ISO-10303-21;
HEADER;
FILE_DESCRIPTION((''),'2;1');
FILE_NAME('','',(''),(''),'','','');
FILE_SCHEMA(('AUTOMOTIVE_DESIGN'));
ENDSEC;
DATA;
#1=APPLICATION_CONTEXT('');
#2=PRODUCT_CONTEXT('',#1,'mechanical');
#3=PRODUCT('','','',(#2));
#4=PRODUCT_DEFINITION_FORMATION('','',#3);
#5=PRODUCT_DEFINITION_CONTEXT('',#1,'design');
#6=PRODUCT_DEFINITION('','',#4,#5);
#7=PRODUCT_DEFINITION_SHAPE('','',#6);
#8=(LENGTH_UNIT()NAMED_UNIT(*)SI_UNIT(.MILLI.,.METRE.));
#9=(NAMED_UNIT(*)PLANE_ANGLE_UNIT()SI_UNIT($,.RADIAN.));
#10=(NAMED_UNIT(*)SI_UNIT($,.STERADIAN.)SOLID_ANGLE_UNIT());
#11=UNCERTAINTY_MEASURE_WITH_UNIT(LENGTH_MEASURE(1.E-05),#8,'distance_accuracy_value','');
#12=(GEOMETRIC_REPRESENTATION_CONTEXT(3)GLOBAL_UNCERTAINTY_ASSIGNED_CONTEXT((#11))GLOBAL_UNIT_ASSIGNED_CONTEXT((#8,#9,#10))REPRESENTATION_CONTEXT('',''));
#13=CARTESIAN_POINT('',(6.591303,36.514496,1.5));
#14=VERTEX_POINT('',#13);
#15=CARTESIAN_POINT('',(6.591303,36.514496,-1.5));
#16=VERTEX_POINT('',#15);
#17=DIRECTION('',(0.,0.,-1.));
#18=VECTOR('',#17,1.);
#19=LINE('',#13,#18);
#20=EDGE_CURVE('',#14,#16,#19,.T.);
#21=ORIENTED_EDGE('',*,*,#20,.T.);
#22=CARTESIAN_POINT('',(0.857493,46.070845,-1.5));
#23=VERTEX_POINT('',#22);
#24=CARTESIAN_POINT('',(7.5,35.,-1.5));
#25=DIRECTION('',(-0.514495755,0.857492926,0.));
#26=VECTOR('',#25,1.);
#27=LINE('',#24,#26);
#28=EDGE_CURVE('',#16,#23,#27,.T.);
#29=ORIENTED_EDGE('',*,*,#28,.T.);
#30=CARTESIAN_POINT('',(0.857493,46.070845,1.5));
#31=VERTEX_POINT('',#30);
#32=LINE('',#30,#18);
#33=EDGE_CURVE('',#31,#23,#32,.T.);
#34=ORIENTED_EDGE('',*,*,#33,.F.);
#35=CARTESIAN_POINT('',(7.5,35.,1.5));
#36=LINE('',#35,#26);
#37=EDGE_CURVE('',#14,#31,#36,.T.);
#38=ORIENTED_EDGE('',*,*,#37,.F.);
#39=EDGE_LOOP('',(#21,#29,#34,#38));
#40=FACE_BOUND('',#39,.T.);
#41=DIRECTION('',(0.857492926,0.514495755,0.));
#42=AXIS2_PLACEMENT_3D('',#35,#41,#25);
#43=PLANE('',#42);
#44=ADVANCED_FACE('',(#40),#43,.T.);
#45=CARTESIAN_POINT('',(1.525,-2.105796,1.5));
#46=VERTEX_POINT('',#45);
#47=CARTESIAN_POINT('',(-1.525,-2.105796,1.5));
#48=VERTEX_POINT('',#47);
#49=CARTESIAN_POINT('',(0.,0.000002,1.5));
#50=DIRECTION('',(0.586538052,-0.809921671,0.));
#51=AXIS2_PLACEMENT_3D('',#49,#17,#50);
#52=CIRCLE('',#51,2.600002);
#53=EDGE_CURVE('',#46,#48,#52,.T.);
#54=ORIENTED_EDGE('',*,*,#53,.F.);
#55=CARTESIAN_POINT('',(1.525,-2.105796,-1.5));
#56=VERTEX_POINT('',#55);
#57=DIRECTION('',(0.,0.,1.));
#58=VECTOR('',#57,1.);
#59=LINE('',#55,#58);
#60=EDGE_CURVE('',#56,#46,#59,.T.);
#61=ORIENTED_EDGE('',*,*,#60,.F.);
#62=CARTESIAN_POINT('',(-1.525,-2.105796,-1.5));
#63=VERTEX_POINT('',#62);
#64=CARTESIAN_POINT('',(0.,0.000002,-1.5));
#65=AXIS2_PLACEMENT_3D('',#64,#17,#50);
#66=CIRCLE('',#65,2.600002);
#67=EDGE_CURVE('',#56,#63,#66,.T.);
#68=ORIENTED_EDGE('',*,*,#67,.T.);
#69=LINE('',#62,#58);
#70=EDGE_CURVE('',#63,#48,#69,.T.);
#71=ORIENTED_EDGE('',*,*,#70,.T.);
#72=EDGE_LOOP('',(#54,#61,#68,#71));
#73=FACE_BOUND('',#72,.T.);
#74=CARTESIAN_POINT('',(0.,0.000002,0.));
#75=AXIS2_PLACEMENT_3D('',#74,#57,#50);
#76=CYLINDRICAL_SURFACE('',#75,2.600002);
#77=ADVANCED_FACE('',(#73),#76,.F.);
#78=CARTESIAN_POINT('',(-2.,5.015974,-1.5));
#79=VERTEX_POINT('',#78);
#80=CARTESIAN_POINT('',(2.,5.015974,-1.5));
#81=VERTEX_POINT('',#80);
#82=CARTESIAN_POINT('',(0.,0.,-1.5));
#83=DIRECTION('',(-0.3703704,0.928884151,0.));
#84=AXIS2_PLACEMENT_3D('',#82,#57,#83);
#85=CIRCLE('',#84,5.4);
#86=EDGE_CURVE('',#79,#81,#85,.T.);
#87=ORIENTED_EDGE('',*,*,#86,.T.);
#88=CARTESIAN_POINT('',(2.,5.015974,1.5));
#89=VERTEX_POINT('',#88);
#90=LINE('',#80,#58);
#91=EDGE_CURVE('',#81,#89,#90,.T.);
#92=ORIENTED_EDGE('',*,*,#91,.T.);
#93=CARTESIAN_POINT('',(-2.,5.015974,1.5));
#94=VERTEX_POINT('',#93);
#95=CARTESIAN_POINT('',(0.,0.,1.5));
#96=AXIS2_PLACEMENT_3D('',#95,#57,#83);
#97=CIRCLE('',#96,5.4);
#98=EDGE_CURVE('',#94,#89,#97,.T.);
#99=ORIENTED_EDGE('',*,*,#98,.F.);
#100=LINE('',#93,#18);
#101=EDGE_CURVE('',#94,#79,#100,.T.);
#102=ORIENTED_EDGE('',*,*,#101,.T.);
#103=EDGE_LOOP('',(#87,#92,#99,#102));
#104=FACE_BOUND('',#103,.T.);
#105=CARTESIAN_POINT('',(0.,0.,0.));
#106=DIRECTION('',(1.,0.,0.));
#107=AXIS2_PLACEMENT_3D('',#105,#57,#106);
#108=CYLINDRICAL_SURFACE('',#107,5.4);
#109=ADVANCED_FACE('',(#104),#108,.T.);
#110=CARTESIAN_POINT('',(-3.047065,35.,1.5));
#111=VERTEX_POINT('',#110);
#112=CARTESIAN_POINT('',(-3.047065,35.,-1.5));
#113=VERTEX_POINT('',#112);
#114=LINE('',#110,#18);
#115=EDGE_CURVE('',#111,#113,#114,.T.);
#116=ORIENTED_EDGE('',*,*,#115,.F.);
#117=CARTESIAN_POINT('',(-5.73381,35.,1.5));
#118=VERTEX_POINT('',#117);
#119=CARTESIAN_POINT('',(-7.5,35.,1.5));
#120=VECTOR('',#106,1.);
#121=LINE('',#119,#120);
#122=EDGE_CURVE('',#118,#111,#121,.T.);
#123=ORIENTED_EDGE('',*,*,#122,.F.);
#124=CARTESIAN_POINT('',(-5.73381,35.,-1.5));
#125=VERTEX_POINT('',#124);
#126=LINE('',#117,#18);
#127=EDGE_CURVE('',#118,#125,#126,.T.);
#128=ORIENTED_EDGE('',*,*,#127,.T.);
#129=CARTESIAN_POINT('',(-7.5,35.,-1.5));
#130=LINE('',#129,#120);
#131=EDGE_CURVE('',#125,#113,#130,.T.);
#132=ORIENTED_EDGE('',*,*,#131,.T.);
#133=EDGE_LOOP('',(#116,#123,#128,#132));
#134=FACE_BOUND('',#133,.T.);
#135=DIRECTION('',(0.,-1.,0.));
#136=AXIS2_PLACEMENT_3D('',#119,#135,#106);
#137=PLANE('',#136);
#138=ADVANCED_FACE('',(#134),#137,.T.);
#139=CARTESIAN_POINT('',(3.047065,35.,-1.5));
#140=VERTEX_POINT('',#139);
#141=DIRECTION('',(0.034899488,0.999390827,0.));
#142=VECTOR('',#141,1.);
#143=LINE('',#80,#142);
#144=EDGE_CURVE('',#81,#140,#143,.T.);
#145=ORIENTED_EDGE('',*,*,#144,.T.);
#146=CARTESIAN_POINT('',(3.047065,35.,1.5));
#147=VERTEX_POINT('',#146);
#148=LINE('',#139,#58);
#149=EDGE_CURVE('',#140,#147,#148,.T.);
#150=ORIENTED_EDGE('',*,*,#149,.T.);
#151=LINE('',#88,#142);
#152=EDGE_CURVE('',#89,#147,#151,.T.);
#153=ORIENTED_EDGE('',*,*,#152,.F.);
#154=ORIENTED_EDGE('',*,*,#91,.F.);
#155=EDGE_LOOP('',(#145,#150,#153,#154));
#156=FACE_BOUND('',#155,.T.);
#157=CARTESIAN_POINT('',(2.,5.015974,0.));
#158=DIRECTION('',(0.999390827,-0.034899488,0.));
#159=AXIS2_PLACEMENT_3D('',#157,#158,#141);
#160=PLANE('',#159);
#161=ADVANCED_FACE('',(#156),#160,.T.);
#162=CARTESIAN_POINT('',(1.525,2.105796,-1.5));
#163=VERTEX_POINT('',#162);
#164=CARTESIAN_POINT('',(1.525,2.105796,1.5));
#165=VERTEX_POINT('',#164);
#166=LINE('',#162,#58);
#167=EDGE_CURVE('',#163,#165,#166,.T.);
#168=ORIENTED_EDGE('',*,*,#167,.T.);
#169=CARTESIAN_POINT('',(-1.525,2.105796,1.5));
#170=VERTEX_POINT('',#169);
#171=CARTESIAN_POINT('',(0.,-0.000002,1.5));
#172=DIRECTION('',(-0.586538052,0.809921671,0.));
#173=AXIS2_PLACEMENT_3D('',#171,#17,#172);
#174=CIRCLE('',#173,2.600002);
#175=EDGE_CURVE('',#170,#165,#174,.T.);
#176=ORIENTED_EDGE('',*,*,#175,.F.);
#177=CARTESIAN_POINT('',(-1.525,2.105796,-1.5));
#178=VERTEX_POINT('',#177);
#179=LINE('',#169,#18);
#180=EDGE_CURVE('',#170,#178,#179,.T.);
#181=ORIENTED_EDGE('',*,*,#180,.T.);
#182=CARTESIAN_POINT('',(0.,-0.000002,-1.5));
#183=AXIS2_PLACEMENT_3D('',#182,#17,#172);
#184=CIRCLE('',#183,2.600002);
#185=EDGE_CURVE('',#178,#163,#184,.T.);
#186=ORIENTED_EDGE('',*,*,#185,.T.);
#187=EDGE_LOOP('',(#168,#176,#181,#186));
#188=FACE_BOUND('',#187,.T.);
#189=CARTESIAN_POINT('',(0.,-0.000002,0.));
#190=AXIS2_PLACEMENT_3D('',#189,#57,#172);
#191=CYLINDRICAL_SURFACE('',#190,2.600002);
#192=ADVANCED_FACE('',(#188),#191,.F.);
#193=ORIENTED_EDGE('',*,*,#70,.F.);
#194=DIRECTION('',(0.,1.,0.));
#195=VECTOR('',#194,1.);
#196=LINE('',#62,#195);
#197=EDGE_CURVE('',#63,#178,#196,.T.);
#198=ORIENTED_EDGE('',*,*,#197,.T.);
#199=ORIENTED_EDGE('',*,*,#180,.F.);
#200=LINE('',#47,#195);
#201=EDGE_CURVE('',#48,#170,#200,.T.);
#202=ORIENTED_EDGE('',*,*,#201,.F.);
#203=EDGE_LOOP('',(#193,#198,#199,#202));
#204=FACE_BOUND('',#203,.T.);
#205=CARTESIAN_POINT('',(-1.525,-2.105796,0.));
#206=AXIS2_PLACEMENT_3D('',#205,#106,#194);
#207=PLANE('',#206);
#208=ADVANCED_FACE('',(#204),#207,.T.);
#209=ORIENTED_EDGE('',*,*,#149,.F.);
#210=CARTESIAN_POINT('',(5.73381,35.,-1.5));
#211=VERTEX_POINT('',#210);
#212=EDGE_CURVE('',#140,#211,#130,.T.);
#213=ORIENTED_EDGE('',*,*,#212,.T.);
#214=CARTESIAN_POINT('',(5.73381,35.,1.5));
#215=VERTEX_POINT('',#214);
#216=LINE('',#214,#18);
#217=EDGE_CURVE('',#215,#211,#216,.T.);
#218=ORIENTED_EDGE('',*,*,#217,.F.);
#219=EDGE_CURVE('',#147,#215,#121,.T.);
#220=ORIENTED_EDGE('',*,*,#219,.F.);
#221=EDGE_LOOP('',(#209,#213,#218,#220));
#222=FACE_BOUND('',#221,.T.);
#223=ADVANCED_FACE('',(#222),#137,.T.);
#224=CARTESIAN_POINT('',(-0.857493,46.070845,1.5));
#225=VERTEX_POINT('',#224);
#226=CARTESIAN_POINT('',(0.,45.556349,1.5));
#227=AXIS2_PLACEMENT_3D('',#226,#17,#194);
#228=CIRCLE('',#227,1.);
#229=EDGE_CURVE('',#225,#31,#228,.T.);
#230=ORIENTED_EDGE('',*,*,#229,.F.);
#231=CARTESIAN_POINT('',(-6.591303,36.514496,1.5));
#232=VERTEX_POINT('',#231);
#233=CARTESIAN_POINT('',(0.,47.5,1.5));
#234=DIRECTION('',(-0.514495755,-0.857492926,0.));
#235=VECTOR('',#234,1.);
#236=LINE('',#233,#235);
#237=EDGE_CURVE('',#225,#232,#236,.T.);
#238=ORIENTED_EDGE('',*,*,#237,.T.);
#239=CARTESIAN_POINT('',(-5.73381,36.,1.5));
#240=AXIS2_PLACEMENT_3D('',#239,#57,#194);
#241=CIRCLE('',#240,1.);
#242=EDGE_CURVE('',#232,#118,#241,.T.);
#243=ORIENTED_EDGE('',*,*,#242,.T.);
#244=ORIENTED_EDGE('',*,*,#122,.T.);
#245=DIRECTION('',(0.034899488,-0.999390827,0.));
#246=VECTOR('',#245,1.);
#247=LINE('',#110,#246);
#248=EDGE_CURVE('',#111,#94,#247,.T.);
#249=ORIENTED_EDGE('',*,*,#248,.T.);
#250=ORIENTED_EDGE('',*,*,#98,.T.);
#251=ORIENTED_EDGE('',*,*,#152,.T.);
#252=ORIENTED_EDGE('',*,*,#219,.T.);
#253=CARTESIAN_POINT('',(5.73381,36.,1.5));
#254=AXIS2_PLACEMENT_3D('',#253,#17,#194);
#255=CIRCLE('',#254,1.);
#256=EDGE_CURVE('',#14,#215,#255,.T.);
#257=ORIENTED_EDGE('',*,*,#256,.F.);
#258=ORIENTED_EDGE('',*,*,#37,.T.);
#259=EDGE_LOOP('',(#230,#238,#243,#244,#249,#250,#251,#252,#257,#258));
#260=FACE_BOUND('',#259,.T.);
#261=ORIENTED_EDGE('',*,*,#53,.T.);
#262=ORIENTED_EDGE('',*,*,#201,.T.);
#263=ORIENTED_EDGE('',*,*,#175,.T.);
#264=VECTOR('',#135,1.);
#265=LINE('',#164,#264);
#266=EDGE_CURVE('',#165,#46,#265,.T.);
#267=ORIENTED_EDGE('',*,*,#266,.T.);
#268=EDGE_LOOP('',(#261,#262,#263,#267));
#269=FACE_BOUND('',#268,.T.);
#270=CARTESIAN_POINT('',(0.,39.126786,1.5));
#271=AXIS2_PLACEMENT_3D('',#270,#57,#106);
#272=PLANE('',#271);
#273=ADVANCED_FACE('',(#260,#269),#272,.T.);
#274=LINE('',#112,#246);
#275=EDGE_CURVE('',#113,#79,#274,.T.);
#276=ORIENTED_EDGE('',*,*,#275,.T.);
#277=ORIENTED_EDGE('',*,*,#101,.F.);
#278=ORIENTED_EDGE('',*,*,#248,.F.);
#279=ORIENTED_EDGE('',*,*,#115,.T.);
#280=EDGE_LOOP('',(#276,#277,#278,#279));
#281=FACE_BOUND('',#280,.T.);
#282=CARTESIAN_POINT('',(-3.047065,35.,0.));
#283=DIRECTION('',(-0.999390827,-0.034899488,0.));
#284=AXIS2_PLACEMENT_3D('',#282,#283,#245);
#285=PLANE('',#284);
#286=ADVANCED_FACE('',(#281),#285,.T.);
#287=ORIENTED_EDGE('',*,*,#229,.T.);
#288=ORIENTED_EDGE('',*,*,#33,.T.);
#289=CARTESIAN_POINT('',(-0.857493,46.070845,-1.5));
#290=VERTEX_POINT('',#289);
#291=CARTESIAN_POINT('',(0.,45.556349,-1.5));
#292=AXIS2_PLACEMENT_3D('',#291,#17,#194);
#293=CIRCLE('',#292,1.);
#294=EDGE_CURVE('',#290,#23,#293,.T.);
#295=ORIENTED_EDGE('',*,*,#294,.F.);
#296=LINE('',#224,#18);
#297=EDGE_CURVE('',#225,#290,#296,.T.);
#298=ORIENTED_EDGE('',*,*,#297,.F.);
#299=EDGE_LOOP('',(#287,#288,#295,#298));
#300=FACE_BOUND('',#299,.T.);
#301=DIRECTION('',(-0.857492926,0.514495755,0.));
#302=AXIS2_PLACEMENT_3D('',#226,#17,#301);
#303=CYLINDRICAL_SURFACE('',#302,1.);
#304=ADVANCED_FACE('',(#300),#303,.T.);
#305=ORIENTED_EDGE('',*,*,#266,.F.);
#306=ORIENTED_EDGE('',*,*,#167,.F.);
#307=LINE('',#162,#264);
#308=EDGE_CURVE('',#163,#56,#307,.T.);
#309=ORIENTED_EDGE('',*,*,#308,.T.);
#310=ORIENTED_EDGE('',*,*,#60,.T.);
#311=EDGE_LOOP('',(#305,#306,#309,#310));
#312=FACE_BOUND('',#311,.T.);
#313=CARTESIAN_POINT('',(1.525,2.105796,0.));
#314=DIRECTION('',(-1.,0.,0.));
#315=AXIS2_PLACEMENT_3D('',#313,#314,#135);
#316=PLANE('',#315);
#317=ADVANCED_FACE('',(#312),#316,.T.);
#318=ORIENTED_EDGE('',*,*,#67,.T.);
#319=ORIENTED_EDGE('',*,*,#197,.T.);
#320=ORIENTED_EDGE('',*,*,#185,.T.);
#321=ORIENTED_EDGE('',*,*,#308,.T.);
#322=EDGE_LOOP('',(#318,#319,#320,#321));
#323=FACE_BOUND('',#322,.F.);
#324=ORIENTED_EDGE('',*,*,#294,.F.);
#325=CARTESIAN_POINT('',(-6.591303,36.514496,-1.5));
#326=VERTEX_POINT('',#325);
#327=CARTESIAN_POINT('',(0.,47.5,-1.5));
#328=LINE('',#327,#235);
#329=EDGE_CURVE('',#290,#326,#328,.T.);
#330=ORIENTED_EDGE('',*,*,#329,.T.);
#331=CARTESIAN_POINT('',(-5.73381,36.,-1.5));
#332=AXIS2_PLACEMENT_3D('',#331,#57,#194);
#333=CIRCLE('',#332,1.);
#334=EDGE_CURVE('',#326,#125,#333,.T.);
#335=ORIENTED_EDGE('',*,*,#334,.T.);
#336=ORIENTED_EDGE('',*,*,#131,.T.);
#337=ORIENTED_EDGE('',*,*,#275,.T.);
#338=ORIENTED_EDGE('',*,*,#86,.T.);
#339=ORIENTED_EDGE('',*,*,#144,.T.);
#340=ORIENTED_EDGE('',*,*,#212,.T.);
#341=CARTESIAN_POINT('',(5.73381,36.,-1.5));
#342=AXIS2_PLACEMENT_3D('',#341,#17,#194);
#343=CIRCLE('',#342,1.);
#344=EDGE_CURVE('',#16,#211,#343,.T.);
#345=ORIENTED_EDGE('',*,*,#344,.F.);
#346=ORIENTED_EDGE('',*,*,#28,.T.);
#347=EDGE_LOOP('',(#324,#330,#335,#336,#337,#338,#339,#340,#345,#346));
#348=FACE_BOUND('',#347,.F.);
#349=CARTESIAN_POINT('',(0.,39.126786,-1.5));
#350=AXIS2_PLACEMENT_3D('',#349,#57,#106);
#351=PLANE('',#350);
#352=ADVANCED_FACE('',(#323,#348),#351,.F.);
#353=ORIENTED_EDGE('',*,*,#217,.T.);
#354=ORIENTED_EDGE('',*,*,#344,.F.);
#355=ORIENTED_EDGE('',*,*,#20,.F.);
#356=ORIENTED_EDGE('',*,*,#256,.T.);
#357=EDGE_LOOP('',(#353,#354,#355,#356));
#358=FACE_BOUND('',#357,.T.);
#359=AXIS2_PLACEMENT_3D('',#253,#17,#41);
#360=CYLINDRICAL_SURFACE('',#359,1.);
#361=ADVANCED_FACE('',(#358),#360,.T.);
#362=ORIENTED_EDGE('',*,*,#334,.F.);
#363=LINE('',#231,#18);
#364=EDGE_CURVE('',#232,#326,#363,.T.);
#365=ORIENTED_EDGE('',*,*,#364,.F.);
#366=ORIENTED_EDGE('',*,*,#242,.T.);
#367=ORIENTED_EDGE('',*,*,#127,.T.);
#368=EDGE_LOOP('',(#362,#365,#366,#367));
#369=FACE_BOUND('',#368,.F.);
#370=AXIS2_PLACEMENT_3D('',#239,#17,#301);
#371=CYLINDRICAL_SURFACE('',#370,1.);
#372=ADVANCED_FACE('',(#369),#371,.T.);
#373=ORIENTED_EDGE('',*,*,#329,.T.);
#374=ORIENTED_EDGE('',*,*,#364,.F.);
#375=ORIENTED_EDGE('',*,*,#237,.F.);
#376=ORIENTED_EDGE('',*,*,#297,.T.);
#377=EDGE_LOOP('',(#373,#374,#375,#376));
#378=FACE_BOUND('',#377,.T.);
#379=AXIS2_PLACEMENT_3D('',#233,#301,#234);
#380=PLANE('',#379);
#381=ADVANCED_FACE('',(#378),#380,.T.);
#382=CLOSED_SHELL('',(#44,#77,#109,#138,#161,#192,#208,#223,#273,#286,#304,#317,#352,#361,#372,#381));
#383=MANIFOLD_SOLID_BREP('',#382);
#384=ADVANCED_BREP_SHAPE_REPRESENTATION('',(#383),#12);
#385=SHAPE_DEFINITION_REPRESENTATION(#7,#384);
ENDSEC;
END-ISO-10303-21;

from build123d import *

# Parameters (mm, degrees)
F0_R     = 5.4
F1_DEPTH = 1.5
F3_DEPTH = 1.5
F5_DEPTH = 3
F6_R     = 1


with BuildPart() as f1:
    # F0 (on Top) → F1 (new body, symmetric)
    with BuildSketch(Plane.XY):
        Circle(F0_R)
        with BuildLine():
            ThreePointArc((1.525, 2.105796), (2.315707, 1.182159), (2.6, 0))
            ThreePointArc((2.6, 0), (2.315707, -1.182159), (1.525, -2.105796))
            ThreePointArc((1.525, -2.105796), (0, -2.6), (-1.525, -2.105796))
            ThreePointArc((-1.525, -2.105796), (-2.6, 0), (-1.525, 2.105796))
            ThreePointArc((-1.525, 2.105796), (0, 2.6), (1.525, 2.105796))
        make_face(mode=Mode.SUBTRACT)
        with BuildLine():
            ThreePointArc((1.525, -2.105796), (2.315707, -1.182159), (2.6, 0))
            ThreePointArc((2.6, 0), (2.315707, 1.182159), (1.525, 2.105796))
            Line((1.525, 2.105796), (1.525, -2.105796))
        make_face()
        with BuildLine():
            Line((-1.525, -2.105796), (-1.525, 2.105796))
            ThreePointArc((-1.525, 2.105796), (-2.6, 0), (-1.525, -2.105796))
        make_face()
    extrude(amount=F1_DEPTH, both=True)

    # F2 (on Top) → F3 (join, symmetric)
    with BuildSketch(Plane.XY):
        Polygon((-2, 5.015974), (0, 5.015974), (2, 5.015974), (3.047065, 35), (0, 35), (-3.047065, 35), align=None)
    extrude(amount=F3_DEPTH, both=True)

    # F4 (on face) → F5 (join, through all)
    with BuildSketch(Plane.XY.offset(1.5)):
        Polygon((0, 47.5), (-7.5, 35), (7.5, 35), align=None)
    extrude(amount=-F5_DEPTH)

    # F6
    f6_edges = [f1.edges().sort_by_distance(p)[0] for p in [
        (-7.5, 35, 0),
        (0, 47.5, 0),
        (7.5, 35, 0),
    ]]
    fillet(f6_edges, radius=F6_R)


solid = f1.part
